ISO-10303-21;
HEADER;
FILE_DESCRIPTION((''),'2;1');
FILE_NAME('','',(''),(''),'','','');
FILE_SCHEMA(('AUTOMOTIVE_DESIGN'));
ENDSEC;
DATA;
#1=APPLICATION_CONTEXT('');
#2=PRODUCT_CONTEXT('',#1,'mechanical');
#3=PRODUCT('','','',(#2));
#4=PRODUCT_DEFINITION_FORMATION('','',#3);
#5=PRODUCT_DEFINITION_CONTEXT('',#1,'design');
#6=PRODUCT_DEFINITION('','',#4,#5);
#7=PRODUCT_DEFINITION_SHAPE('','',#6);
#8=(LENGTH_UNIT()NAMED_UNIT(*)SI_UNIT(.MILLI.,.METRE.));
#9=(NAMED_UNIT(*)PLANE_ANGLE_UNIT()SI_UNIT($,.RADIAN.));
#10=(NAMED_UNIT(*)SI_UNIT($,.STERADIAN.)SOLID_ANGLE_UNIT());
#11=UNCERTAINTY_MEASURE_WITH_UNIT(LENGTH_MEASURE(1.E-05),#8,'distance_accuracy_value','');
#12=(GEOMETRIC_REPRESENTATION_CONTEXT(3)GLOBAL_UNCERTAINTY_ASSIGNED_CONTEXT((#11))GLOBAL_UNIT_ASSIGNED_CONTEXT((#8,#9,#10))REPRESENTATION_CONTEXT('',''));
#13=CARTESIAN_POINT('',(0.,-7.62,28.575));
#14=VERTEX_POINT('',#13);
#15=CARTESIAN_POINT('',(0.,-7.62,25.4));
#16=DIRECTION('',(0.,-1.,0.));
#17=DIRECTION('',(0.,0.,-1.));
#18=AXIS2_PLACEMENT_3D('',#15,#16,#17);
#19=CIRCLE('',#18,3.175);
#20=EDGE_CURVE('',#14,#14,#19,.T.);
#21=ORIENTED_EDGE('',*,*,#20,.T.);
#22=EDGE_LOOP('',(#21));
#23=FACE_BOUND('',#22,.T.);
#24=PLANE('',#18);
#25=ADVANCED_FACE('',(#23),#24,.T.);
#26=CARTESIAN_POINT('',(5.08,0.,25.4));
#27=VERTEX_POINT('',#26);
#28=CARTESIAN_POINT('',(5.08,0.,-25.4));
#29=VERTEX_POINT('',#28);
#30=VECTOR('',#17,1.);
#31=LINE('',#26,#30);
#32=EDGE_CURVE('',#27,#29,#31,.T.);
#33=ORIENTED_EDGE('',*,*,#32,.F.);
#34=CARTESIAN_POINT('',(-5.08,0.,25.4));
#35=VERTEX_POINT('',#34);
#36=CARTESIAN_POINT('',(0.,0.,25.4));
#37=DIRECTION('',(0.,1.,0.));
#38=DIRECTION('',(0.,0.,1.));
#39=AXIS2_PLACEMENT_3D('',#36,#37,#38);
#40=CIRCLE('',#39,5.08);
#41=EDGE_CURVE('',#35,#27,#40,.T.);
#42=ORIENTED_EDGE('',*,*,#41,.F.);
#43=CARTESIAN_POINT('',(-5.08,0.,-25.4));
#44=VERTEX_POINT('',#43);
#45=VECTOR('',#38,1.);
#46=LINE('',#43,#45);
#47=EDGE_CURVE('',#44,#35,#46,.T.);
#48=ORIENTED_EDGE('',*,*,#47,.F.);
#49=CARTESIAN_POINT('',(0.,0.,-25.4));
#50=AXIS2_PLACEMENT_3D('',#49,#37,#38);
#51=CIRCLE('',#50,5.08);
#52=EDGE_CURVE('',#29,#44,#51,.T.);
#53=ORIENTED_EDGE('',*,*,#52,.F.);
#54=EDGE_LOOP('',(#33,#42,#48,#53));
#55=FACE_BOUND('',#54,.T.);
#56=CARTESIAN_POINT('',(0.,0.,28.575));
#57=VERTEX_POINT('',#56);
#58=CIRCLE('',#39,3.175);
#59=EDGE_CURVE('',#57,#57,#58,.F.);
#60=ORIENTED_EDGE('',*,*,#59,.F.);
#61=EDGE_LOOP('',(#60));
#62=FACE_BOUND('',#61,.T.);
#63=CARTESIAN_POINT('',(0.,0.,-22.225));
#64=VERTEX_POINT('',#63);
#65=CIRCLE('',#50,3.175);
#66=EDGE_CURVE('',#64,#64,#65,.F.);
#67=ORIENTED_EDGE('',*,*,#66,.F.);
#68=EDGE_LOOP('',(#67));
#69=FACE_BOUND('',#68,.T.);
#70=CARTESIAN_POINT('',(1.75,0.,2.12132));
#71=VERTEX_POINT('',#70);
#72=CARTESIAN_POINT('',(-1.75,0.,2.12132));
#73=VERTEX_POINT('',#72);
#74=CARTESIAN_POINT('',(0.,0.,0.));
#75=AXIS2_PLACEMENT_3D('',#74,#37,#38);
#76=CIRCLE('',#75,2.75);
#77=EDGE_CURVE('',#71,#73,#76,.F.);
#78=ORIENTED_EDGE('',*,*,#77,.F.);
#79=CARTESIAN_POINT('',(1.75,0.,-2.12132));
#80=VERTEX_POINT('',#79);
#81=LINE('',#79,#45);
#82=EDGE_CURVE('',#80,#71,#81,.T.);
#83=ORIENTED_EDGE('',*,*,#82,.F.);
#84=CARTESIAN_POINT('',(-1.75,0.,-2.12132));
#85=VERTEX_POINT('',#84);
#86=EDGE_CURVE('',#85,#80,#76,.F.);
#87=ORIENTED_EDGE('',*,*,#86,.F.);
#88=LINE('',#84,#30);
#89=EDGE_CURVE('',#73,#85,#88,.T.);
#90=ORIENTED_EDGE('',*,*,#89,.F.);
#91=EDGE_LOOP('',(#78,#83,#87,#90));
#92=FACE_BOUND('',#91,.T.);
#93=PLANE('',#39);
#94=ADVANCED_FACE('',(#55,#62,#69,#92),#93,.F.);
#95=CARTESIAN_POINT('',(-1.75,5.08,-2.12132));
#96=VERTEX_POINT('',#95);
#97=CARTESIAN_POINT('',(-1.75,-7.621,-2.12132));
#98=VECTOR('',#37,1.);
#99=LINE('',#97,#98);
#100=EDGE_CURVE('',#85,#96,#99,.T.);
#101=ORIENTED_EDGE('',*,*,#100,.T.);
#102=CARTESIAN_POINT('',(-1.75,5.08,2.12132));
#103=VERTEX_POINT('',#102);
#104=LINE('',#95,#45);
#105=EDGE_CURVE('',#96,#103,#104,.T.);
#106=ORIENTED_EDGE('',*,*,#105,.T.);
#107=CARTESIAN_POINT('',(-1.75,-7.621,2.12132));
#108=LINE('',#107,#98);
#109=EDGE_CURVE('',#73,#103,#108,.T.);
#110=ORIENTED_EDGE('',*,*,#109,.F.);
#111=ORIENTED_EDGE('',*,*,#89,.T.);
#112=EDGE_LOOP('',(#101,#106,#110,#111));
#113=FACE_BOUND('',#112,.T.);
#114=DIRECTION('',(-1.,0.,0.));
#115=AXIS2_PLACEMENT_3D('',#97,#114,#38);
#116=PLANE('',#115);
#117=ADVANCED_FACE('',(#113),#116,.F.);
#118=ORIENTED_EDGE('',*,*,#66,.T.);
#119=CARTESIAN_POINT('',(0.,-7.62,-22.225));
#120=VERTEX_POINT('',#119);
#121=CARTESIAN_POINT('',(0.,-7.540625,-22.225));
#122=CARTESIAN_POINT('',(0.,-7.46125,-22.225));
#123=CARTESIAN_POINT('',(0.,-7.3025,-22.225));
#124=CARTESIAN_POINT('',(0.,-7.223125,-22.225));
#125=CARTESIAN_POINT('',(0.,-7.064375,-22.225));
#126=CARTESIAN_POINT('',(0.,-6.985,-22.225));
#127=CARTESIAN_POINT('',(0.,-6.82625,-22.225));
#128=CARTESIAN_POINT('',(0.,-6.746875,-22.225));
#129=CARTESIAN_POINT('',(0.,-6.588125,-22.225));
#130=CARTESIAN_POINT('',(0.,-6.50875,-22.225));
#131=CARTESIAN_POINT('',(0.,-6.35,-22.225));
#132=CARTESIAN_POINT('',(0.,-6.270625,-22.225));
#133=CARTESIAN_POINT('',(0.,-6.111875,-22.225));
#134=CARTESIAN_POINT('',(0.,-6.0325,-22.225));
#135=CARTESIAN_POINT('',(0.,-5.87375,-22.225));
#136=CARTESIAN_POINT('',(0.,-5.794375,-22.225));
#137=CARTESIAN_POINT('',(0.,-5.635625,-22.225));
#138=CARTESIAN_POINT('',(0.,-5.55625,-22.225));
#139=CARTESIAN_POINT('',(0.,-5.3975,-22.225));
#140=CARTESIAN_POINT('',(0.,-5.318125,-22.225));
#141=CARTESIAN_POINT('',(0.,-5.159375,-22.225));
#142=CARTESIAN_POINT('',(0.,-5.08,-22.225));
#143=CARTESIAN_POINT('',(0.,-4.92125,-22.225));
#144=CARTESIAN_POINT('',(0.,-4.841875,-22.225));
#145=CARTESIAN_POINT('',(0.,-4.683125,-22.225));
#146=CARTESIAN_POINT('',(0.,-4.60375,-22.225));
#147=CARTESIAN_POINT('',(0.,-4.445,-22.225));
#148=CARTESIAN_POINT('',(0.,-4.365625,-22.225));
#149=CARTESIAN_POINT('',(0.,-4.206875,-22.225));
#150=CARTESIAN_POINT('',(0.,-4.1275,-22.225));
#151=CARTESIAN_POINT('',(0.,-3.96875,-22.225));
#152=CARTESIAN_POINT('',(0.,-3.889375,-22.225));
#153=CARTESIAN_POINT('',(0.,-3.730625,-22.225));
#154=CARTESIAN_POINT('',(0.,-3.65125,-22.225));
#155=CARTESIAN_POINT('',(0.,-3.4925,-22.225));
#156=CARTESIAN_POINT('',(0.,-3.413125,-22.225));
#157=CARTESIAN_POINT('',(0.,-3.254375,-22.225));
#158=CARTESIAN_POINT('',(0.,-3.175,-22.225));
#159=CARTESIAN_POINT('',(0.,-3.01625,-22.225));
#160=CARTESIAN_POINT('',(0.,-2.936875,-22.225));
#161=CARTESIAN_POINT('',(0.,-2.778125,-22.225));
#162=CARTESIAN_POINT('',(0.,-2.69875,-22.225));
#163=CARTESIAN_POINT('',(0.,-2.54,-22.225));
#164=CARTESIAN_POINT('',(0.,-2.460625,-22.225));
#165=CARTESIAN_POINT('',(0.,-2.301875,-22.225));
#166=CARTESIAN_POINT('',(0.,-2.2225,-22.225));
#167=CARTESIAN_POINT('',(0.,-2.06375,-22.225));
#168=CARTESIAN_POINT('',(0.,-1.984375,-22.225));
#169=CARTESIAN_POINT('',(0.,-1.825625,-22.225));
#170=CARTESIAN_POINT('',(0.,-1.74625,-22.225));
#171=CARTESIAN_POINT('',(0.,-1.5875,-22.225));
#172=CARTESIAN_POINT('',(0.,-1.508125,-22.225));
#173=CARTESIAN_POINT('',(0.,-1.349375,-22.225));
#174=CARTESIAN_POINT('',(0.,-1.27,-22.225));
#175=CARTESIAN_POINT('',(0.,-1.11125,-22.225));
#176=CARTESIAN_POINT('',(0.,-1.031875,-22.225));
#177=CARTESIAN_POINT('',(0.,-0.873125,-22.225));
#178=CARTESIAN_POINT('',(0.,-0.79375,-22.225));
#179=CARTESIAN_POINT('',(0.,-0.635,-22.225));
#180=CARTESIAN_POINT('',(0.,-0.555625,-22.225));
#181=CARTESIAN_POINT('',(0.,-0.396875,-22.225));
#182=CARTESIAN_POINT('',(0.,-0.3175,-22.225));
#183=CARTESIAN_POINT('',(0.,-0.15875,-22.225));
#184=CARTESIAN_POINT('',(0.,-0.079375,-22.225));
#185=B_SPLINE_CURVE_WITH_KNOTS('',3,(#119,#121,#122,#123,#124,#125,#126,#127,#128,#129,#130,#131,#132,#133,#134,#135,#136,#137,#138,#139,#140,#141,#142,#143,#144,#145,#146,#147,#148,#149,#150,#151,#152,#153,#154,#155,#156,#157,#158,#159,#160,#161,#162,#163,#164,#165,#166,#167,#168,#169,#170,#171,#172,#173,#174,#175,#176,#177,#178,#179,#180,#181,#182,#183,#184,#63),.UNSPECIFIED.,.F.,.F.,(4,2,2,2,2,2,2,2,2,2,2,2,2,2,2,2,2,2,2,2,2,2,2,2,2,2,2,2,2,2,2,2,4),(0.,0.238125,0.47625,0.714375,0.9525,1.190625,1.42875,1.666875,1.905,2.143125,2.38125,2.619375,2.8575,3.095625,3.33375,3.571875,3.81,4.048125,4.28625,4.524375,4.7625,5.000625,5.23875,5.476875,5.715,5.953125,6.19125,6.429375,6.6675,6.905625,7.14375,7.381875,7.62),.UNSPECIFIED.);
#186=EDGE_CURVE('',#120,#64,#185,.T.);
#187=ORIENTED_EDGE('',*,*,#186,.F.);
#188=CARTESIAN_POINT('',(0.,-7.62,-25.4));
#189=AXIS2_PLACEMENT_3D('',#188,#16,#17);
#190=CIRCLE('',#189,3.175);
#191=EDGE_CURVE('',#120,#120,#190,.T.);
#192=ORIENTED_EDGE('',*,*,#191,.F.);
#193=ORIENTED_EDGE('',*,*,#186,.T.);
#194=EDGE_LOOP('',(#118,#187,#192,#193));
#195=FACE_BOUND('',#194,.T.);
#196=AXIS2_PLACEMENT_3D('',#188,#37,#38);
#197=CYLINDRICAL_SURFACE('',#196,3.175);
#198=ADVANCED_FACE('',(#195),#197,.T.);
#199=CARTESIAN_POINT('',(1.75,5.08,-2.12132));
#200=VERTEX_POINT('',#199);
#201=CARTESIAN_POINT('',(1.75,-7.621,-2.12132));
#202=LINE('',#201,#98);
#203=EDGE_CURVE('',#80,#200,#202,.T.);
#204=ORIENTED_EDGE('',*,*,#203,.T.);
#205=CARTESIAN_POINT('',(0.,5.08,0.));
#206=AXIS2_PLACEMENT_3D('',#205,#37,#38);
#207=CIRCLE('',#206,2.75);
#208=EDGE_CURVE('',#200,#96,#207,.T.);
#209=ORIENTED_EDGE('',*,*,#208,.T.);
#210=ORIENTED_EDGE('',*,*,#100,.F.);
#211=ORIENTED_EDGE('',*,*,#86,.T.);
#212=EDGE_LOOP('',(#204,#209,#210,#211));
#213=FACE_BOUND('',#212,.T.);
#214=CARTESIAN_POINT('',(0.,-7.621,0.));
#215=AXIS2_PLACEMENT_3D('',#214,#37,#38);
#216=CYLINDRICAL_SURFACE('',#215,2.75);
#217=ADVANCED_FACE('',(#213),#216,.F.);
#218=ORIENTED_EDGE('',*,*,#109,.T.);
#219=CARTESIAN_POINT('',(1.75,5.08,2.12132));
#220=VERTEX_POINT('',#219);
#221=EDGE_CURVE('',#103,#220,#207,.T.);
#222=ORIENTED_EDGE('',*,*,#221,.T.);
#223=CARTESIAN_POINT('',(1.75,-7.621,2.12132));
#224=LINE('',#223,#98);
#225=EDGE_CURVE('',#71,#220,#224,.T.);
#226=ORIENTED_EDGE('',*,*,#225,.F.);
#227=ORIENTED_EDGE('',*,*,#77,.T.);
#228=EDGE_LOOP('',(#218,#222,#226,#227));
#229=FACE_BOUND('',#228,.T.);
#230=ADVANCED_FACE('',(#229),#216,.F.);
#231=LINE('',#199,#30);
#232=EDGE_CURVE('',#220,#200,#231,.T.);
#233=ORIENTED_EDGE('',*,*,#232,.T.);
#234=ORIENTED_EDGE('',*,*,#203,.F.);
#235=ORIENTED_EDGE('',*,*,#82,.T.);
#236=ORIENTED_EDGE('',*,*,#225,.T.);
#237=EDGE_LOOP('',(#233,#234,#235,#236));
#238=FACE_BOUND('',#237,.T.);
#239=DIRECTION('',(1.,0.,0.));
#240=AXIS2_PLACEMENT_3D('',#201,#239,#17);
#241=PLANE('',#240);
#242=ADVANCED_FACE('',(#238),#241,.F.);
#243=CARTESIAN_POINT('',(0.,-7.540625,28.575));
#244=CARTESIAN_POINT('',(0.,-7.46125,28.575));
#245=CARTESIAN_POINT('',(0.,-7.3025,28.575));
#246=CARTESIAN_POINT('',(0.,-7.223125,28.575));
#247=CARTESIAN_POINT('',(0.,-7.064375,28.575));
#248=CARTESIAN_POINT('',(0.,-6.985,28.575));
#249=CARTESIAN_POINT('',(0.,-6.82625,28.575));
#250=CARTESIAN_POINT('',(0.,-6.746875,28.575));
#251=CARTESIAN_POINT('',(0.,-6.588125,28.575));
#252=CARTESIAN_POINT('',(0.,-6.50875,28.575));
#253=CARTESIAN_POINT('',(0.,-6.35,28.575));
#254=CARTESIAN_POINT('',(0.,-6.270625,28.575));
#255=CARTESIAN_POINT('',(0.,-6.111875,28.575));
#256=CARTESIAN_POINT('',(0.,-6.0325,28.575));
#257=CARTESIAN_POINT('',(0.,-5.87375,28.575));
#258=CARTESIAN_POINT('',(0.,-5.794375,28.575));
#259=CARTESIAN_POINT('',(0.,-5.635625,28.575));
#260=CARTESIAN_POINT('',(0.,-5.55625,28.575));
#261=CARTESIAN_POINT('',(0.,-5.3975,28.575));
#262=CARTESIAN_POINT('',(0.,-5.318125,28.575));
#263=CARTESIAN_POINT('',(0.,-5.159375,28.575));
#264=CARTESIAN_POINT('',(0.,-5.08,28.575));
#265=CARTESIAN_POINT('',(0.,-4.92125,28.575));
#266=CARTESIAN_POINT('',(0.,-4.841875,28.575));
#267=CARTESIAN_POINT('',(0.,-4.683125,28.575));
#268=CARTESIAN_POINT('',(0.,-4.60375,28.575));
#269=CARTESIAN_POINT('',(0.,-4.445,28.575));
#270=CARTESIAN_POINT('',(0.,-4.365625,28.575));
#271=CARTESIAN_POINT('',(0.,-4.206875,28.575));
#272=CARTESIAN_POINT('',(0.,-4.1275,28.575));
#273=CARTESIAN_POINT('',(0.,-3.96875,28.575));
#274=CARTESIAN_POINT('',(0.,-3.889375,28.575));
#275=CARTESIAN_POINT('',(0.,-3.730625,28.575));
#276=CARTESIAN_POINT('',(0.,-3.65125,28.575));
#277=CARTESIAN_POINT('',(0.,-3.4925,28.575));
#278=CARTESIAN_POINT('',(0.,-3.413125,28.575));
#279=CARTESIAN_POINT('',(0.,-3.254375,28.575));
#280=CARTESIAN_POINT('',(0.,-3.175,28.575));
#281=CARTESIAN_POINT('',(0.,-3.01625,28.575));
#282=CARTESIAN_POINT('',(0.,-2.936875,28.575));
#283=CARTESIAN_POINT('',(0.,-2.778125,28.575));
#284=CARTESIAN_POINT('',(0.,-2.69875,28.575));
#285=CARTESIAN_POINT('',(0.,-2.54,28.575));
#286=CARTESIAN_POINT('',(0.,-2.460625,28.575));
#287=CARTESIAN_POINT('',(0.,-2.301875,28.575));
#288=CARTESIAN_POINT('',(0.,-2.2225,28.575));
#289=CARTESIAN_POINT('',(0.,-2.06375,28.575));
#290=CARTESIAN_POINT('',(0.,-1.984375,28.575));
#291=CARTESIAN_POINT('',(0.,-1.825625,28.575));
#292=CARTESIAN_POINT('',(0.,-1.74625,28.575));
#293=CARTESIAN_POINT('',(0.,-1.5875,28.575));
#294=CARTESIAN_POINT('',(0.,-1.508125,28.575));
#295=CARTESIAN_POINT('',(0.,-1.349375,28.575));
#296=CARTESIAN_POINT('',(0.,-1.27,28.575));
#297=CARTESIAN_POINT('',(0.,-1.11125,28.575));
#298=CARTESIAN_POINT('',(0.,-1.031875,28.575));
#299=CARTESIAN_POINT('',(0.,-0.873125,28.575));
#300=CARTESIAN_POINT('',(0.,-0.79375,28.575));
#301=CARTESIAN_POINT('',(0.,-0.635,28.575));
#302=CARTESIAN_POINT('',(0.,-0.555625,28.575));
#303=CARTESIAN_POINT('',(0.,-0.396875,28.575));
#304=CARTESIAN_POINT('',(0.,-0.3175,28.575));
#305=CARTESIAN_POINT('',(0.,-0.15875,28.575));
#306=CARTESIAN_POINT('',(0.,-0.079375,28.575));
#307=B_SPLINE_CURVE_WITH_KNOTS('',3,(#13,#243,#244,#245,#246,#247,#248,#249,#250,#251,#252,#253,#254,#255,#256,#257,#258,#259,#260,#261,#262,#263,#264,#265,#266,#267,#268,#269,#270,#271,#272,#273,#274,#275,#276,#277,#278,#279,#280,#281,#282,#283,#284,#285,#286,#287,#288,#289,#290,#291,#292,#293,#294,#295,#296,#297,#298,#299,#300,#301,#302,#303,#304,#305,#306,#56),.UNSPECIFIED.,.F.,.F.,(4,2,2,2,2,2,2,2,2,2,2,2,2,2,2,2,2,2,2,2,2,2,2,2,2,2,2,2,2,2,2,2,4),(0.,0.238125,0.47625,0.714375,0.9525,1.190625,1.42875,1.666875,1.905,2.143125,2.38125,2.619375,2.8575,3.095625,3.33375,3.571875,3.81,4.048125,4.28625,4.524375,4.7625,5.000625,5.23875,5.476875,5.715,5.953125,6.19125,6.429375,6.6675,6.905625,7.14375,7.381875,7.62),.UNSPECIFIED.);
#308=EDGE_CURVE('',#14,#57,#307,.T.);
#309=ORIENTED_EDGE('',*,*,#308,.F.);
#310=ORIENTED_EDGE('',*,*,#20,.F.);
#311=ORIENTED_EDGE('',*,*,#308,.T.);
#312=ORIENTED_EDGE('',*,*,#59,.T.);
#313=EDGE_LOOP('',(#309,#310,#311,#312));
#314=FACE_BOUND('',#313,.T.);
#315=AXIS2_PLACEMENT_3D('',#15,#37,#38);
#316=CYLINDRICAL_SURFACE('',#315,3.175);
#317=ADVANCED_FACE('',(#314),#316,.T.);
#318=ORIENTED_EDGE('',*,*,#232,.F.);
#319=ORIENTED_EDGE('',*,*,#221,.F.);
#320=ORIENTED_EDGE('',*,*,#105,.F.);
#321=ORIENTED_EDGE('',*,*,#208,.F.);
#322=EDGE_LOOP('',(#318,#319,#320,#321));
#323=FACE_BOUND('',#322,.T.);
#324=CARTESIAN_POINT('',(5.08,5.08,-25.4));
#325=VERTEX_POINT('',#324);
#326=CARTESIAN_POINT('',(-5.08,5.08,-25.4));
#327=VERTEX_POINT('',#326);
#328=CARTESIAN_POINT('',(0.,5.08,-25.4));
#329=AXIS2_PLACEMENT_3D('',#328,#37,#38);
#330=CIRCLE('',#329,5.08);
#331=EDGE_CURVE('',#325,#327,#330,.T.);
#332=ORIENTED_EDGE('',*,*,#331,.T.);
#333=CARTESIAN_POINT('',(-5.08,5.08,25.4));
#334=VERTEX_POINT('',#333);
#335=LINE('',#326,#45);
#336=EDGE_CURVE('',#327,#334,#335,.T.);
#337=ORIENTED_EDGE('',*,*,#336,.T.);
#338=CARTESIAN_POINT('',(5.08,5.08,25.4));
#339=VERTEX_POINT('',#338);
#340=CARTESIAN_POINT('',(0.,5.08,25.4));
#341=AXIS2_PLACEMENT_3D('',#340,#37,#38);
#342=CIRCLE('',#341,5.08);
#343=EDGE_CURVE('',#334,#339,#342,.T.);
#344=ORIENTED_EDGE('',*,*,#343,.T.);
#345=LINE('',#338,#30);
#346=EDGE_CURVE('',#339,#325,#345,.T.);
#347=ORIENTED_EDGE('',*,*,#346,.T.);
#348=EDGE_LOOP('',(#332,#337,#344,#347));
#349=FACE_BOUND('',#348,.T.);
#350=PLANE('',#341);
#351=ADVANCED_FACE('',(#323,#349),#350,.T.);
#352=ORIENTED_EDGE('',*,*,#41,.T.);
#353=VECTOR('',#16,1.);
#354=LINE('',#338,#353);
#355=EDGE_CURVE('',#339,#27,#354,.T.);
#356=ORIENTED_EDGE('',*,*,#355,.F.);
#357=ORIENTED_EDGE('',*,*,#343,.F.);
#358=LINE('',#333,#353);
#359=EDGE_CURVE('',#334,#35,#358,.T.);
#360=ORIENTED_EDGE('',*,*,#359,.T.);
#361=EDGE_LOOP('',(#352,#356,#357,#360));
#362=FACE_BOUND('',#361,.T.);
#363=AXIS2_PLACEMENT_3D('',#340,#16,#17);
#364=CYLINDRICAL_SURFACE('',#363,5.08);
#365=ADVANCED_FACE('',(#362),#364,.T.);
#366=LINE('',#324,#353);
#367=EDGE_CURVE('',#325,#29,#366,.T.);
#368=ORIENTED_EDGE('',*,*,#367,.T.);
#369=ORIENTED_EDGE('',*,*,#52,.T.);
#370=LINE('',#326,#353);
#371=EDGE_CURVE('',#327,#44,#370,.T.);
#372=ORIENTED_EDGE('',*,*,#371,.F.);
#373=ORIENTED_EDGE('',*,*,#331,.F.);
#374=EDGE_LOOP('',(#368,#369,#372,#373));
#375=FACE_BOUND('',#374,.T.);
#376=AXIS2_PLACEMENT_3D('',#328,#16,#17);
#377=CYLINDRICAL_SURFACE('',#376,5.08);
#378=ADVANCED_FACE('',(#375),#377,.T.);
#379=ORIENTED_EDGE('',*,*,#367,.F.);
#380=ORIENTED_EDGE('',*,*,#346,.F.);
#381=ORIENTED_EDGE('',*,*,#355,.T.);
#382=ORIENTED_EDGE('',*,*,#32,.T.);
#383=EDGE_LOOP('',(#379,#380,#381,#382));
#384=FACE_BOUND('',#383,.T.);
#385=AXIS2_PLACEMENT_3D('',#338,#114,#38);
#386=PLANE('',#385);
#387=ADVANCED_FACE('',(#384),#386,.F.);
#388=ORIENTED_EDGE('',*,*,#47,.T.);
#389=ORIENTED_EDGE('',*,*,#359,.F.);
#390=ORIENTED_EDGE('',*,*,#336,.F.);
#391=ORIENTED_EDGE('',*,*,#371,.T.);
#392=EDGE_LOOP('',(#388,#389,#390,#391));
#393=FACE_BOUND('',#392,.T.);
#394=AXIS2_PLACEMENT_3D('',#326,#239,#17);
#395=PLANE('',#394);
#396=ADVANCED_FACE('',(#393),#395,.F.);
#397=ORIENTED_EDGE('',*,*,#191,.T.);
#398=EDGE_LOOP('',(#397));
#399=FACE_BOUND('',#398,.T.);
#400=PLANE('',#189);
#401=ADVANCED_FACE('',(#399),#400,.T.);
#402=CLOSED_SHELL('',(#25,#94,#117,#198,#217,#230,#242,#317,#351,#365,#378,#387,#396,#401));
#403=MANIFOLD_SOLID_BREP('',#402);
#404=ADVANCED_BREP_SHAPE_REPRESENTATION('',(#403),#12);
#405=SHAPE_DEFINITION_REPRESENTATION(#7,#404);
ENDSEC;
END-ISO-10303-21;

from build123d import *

# Parameters (mm, degrees)
BOSS_EXTRUDE1_DEPTH = 5.08
SKETCH3_R           = 3.175
BOSS_EXTRUDE2_DEPTH = 7.62
CUT_EXTRUDE1_REACH  = 35.408


with BuildPart() as part:
    # Sketch2 → Boss-Extrude1 (new body)
    with BuildSketch(Plane(origin=(0, 0, 0), x_dir=(1, 0, 0), z_dir=(0, 1, 0))):
        with BuildLine():
            Line((-5.08, 25.4), (-5.08, -25.4))
            ThreePointArc((-5.08, -25.4), (0, -30.48), (5.08, -25.4))
            Line((5.08, -25.4), (5.08, 25.4))
            ThreePointArc((5.08, 25.4), (0, 30.48), (-5.08, 25.4))
        make_face()
    extrude(amount=BOSS_EXTRUDE1_DEPTH)

    # Sketch3 → Boss-Extrude2 (add)
    with BuildSketch(Plane(origin=(0, 0, 0), x_dir=(-1, 0, 0), z_dir=(0, -1, 0))):
        with Locations(Location((0, -25.4, 0), (0, 0, 270))):
            Circle(SKETCH3_R)
        with Locations(Location((0, 25.4, 0), (0, 0, 270))):
            Circle(SKETCH3_R)
    extrude(amount=BOSS_EXTRUDE2_DEPTH)

    # Sketch10 → Cut-Extrude1 (cut, up to next)
    with BuildSketch(Plane(origin=(0, 5.08, 0), x_dir=(1, 0, 0), z_dir=(0, 1, 0)), mode=Mode.PRIVATE) as cut_extrude1_sk1:
        with BuildLine():
            Line((-1.75, 2.121320344), (-1.75, -2.121320344))
            ThreePointArc((-1.75, -2.121320344), (0, -2.75), (1.75, -2.121320344))
            Line((1.75, -2.121320344), (1.75, 2.121320344))
            ThreePointArc((1.75, 2.121320344), (0, 2.75), (-1.75, 2.121320344))
        make_face()
    cut_extrude1_tool1 = extrude(cut_extrude1_sk1.sketch, amount=-CUT_EXTRUDE1_REACH, mode=Mode.PRIVATE) & part.part
    add(cut_extrude1_tool1.solids().sort_by_distance((0, 5.08, 0))[0], mode=Mode.SUBTRACT)


solid = part.part
